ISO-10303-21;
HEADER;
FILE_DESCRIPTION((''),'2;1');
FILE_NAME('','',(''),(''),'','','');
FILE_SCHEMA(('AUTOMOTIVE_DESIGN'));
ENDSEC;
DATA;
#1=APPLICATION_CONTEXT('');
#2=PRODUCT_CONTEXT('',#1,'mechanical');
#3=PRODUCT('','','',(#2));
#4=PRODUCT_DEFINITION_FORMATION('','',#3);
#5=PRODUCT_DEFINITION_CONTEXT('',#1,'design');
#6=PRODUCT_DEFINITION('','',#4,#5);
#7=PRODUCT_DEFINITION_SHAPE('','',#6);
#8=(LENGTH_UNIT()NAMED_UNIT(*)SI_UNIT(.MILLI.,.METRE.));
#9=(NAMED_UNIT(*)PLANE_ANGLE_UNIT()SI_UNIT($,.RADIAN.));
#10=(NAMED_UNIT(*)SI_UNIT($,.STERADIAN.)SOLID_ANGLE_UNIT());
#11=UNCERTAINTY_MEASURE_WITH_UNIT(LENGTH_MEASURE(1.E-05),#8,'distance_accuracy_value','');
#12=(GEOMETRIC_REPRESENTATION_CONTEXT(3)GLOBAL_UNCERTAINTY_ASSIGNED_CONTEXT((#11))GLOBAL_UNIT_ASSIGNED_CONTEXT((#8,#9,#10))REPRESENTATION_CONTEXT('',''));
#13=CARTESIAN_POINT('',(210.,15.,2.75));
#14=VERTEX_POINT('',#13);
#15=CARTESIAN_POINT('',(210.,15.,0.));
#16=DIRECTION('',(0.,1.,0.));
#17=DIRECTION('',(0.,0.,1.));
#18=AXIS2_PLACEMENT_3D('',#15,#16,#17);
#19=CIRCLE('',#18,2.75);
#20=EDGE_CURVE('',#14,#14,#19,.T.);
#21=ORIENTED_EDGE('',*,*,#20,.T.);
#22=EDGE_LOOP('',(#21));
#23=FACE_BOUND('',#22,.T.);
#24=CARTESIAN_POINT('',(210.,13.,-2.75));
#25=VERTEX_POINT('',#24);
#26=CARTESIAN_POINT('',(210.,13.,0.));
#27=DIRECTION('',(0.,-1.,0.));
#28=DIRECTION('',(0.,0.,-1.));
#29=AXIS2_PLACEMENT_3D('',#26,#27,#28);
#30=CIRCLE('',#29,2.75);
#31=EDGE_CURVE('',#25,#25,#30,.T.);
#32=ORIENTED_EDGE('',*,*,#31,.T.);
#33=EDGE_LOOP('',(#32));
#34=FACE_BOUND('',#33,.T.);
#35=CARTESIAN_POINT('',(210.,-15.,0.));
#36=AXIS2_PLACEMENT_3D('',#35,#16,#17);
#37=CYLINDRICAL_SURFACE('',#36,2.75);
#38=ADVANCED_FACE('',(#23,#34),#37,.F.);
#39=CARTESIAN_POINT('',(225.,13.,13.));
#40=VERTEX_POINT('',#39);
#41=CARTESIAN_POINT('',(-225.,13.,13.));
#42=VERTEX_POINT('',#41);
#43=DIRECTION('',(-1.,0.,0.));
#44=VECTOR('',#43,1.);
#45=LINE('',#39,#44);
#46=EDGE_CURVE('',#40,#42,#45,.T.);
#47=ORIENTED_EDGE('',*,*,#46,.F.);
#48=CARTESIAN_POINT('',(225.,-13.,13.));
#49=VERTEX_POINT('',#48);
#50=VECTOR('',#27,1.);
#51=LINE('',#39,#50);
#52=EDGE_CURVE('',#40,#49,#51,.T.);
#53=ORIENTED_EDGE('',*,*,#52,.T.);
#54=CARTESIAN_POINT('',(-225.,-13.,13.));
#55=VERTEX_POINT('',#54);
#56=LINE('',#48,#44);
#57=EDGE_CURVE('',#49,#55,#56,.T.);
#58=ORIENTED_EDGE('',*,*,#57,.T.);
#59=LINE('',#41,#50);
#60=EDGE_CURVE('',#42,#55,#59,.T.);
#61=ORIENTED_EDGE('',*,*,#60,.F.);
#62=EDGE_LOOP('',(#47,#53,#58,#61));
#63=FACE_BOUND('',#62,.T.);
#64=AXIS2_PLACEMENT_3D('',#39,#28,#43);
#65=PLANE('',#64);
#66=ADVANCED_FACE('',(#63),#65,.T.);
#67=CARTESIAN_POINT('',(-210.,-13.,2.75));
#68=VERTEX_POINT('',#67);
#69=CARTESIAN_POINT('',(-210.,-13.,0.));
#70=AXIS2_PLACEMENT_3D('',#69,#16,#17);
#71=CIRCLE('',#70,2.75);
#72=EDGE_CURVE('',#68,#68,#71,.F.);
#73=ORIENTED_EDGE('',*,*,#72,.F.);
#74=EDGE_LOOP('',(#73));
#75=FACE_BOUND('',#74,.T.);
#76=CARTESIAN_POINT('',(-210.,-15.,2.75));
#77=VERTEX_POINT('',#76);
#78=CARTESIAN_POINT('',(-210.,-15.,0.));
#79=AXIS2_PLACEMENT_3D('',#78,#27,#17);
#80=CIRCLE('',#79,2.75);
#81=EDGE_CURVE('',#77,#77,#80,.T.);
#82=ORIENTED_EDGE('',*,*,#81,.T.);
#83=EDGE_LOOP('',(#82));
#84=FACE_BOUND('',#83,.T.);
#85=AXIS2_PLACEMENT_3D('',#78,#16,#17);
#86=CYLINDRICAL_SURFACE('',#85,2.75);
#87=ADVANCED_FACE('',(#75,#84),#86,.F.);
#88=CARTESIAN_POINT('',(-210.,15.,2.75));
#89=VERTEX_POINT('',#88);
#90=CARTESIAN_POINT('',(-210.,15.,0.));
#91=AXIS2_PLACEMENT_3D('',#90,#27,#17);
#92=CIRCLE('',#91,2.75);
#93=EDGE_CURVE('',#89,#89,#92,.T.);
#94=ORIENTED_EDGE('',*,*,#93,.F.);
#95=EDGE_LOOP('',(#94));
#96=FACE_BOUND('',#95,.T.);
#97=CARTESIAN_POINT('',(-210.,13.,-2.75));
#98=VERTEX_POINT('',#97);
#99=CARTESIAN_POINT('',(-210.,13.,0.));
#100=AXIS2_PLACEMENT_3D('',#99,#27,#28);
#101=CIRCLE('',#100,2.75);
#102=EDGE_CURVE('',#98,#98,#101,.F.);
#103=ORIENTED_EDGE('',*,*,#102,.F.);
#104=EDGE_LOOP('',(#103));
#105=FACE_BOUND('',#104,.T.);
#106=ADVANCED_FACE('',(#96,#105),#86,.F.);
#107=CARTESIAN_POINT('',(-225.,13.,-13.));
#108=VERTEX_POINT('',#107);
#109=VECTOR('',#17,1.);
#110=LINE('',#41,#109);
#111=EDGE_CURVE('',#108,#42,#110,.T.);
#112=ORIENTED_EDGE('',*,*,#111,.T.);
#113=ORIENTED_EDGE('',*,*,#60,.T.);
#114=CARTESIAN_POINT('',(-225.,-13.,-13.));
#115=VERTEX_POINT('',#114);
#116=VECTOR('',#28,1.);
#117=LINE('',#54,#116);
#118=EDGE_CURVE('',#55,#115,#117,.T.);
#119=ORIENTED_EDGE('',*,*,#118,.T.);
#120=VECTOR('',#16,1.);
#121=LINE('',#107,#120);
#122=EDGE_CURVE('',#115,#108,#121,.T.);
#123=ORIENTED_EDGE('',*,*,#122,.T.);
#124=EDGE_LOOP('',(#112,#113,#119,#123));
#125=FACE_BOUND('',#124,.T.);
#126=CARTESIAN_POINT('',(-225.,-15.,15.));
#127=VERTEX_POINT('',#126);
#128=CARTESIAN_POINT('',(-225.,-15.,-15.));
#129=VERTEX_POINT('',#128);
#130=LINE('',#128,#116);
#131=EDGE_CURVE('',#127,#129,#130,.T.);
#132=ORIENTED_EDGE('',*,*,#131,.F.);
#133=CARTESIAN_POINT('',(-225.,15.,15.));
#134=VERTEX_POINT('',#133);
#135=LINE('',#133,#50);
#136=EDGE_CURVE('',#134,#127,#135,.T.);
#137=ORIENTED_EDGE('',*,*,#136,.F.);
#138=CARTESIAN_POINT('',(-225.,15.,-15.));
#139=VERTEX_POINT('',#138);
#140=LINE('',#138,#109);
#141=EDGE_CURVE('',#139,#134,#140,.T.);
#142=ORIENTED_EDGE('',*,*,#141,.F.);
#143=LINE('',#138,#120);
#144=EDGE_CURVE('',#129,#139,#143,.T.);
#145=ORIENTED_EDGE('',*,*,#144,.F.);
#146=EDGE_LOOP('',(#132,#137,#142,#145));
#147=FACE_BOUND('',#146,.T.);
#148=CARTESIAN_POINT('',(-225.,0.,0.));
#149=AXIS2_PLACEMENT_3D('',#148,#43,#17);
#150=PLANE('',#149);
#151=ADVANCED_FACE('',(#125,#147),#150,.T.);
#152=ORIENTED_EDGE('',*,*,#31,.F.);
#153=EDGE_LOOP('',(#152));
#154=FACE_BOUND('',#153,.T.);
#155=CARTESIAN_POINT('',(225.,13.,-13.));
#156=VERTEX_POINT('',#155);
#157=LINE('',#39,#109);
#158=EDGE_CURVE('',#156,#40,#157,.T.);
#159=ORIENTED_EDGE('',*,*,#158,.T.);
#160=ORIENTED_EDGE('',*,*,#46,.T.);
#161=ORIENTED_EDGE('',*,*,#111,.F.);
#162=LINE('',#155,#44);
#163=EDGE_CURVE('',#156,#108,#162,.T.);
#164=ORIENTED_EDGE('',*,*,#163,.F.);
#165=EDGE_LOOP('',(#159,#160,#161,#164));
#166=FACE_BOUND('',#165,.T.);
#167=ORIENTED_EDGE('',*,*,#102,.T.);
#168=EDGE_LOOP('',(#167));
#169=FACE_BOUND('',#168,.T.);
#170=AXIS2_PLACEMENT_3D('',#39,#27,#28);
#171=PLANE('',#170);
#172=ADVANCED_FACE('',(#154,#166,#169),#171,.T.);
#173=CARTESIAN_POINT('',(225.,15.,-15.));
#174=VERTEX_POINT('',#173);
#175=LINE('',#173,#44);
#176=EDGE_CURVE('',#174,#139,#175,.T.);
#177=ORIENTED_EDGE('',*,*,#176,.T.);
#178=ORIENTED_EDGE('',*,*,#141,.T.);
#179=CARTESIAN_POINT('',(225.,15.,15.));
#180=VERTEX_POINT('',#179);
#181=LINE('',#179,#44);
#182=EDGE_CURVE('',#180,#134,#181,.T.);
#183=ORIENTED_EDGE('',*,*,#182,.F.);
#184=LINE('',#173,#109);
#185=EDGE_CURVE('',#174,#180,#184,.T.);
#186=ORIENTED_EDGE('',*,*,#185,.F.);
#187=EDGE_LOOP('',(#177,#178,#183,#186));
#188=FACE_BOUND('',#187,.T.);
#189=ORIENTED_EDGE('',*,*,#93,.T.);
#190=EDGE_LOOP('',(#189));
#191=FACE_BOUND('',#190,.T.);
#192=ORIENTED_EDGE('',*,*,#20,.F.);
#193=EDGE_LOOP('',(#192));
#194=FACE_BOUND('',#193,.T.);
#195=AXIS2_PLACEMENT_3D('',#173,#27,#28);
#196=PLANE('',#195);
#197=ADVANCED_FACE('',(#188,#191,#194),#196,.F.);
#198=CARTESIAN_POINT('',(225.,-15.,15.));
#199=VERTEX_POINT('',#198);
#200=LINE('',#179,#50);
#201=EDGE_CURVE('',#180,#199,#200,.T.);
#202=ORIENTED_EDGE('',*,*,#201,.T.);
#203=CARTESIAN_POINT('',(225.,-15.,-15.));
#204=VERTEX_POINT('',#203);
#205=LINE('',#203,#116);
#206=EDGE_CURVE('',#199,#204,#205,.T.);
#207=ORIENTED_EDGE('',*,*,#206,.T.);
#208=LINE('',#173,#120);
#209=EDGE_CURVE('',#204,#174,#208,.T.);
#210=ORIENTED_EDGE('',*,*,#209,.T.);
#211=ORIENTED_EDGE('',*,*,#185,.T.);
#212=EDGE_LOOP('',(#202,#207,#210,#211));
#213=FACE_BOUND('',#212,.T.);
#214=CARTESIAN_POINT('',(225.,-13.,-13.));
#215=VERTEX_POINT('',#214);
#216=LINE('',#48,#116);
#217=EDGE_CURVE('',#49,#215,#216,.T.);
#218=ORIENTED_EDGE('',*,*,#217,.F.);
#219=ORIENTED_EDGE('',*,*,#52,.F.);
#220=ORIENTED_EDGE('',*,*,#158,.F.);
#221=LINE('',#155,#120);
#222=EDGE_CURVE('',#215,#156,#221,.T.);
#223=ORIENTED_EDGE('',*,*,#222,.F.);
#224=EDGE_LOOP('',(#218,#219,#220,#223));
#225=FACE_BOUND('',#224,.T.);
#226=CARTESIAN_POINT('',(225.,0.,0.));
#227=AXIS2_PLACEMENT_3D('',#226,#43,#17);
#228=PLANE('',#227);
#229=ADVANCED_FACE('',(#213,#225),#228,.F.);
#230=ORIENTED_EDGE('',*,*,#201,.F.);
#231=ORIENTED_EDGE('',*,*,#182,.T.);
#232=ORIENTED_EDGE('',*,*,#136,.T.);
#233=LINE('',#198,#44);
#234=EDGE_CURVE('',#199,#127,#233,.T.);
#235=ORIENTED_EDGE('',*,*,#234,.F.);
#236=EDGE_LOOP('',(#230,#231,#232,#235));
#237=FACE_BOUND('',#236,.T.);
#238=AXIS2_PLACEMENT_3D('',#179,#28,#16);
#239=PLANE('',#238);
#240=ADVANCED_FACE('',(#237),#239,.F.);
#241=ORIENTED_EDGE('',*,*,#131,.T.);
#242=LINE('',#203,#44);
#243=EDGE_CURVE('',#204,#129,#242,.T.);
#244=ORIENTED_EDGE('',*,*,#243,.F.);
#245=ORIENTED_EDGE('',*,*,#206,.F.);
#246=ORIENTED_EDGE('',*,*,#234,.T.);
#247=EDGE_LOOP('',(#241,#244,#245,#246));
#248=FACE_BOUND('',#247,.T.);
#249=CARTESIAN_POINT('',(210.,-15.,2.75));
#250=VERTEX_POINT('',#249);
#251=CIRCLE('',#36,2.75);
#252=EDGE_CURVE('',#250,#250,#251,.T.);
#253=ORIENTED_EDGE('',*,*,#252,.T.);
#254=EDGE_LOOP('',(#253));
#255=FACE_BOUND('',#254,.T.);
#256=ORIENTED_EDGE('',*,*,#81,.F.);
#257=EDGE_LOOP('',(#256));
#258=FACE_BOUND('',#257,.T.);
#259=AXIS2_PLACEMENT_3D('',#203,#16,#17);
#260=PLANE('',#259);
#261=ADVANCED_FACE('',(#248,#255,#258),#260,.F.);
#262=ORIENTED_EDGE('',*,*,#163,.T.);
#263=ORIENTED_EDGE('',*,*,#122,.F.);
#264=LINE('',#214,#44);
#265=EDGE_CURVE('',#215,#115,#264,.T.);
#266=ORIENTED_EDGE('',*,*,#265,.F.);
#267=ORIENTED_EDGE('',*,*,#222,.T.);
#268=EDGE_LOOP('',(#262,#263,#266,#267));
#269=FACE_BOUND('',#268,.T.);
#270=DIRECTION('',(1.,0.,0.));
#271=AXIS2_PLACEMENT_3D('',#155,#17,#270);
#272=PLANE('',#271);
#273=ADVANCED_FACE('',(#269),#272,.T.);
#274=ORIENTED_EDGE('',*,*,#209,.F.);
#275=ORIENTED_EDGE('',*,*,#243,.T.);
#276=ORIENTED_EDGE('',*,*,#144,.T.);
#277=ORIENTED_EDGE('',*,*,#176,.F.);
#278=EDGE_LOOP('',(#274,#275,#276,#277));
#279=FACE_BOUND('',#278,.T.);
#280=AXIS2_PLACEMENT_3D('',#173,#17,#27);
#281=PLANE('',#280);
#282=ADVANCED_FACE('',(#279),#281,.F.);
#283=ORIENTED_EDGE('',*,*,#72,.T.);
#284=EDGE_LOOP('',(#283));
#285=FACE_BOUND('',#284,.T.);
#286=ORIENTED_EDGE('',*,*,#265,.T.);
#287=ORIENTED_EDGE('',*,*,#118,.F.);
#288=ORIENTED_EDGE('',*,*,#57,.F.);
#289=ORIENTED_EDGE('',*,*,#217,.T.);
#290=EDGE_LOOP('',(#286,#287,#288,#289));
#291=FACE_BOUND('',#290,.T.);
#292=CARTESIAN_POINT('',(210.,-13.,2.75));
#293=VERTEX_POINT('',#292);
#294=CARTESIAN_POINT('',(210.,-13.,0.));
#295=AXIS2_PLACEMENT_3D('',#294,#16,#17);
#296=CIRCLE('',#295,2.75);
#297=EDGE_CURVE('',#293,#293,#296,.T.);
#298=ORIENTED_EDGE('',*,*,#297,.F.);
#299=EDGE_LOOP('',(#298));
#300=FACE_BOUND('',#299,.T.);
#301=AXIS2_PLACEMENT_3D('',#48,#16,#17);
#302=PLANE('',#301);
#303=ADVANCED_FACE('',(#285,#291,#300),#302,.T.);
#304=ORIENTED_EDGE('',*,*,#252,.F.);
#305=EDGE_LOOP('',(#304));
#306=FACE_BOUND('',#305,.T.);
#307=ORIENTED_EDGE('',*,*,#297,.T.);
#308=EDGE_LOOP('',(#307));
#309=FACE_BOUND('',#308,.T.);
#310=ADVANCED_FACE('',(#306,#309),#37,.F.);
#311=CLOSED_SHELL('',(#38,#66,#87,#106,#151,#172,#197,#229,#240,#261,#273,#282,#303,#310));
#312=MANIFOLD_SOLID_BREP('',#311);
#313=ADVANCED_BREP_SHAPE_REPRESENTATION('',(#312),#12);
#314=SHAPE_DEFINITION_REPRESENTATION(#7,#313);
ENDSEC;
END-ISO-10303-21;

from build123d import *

# Parameters (mm, degrees)
SKETCH1_W           = 30
SKETCH1_H           = 30
SKETCH1_W_2         = 26
SKETCH1_H_2         = 26
BOSS_EXTRUDE1_DEPTH = 225
SKETCH2_R           = 2.75
CUT_EXTRUDE1_DEPTH  = 226.9977876


with BuildPart() as part:
    # Sketch1 → Boss-Extrude1 (new, symmetric)
    with BuildSketch(Plane(origin=(0, 0, 0), x_dir=(0, 0, -1), z_dir=(1, 0, 0))):
        Rectangle(SKETCH1_W, SKETCH1_H)
        Rectangle(SKETCH1_W_2, SKETCH1_H_2, mode=Mode.SUBTRACT)
    extrude(amount=BOSS_EXTRUDE1_DEPTH, both=True)

    # Sketch2 → Cut-Extrude1 (cut, symmetric)
    with BuildSketch(Plane(origin=(0, 0, 0), x_dir=(1, 0, 0), z_dir=(0, 1, 0))):
        with Locations(Location((210, 0, 0), (0, 0, 270))):
            Circle(SKETCH2_R)
    cut_extrude1 = extrude(amount=CUT_EXTRUDE1_DEPTH, both=True, mode=Mode.SUBTRACT)

    # Mirror1: Cut-Extrude1 across plane
    add(cut_extrude1.mirror(Plane(origin=(0, 0, 0), x_dir=(0, 0, 1), z_dir=(1, 0, 0))), mode=Mode.SUBTRACT)


solid = part.part
